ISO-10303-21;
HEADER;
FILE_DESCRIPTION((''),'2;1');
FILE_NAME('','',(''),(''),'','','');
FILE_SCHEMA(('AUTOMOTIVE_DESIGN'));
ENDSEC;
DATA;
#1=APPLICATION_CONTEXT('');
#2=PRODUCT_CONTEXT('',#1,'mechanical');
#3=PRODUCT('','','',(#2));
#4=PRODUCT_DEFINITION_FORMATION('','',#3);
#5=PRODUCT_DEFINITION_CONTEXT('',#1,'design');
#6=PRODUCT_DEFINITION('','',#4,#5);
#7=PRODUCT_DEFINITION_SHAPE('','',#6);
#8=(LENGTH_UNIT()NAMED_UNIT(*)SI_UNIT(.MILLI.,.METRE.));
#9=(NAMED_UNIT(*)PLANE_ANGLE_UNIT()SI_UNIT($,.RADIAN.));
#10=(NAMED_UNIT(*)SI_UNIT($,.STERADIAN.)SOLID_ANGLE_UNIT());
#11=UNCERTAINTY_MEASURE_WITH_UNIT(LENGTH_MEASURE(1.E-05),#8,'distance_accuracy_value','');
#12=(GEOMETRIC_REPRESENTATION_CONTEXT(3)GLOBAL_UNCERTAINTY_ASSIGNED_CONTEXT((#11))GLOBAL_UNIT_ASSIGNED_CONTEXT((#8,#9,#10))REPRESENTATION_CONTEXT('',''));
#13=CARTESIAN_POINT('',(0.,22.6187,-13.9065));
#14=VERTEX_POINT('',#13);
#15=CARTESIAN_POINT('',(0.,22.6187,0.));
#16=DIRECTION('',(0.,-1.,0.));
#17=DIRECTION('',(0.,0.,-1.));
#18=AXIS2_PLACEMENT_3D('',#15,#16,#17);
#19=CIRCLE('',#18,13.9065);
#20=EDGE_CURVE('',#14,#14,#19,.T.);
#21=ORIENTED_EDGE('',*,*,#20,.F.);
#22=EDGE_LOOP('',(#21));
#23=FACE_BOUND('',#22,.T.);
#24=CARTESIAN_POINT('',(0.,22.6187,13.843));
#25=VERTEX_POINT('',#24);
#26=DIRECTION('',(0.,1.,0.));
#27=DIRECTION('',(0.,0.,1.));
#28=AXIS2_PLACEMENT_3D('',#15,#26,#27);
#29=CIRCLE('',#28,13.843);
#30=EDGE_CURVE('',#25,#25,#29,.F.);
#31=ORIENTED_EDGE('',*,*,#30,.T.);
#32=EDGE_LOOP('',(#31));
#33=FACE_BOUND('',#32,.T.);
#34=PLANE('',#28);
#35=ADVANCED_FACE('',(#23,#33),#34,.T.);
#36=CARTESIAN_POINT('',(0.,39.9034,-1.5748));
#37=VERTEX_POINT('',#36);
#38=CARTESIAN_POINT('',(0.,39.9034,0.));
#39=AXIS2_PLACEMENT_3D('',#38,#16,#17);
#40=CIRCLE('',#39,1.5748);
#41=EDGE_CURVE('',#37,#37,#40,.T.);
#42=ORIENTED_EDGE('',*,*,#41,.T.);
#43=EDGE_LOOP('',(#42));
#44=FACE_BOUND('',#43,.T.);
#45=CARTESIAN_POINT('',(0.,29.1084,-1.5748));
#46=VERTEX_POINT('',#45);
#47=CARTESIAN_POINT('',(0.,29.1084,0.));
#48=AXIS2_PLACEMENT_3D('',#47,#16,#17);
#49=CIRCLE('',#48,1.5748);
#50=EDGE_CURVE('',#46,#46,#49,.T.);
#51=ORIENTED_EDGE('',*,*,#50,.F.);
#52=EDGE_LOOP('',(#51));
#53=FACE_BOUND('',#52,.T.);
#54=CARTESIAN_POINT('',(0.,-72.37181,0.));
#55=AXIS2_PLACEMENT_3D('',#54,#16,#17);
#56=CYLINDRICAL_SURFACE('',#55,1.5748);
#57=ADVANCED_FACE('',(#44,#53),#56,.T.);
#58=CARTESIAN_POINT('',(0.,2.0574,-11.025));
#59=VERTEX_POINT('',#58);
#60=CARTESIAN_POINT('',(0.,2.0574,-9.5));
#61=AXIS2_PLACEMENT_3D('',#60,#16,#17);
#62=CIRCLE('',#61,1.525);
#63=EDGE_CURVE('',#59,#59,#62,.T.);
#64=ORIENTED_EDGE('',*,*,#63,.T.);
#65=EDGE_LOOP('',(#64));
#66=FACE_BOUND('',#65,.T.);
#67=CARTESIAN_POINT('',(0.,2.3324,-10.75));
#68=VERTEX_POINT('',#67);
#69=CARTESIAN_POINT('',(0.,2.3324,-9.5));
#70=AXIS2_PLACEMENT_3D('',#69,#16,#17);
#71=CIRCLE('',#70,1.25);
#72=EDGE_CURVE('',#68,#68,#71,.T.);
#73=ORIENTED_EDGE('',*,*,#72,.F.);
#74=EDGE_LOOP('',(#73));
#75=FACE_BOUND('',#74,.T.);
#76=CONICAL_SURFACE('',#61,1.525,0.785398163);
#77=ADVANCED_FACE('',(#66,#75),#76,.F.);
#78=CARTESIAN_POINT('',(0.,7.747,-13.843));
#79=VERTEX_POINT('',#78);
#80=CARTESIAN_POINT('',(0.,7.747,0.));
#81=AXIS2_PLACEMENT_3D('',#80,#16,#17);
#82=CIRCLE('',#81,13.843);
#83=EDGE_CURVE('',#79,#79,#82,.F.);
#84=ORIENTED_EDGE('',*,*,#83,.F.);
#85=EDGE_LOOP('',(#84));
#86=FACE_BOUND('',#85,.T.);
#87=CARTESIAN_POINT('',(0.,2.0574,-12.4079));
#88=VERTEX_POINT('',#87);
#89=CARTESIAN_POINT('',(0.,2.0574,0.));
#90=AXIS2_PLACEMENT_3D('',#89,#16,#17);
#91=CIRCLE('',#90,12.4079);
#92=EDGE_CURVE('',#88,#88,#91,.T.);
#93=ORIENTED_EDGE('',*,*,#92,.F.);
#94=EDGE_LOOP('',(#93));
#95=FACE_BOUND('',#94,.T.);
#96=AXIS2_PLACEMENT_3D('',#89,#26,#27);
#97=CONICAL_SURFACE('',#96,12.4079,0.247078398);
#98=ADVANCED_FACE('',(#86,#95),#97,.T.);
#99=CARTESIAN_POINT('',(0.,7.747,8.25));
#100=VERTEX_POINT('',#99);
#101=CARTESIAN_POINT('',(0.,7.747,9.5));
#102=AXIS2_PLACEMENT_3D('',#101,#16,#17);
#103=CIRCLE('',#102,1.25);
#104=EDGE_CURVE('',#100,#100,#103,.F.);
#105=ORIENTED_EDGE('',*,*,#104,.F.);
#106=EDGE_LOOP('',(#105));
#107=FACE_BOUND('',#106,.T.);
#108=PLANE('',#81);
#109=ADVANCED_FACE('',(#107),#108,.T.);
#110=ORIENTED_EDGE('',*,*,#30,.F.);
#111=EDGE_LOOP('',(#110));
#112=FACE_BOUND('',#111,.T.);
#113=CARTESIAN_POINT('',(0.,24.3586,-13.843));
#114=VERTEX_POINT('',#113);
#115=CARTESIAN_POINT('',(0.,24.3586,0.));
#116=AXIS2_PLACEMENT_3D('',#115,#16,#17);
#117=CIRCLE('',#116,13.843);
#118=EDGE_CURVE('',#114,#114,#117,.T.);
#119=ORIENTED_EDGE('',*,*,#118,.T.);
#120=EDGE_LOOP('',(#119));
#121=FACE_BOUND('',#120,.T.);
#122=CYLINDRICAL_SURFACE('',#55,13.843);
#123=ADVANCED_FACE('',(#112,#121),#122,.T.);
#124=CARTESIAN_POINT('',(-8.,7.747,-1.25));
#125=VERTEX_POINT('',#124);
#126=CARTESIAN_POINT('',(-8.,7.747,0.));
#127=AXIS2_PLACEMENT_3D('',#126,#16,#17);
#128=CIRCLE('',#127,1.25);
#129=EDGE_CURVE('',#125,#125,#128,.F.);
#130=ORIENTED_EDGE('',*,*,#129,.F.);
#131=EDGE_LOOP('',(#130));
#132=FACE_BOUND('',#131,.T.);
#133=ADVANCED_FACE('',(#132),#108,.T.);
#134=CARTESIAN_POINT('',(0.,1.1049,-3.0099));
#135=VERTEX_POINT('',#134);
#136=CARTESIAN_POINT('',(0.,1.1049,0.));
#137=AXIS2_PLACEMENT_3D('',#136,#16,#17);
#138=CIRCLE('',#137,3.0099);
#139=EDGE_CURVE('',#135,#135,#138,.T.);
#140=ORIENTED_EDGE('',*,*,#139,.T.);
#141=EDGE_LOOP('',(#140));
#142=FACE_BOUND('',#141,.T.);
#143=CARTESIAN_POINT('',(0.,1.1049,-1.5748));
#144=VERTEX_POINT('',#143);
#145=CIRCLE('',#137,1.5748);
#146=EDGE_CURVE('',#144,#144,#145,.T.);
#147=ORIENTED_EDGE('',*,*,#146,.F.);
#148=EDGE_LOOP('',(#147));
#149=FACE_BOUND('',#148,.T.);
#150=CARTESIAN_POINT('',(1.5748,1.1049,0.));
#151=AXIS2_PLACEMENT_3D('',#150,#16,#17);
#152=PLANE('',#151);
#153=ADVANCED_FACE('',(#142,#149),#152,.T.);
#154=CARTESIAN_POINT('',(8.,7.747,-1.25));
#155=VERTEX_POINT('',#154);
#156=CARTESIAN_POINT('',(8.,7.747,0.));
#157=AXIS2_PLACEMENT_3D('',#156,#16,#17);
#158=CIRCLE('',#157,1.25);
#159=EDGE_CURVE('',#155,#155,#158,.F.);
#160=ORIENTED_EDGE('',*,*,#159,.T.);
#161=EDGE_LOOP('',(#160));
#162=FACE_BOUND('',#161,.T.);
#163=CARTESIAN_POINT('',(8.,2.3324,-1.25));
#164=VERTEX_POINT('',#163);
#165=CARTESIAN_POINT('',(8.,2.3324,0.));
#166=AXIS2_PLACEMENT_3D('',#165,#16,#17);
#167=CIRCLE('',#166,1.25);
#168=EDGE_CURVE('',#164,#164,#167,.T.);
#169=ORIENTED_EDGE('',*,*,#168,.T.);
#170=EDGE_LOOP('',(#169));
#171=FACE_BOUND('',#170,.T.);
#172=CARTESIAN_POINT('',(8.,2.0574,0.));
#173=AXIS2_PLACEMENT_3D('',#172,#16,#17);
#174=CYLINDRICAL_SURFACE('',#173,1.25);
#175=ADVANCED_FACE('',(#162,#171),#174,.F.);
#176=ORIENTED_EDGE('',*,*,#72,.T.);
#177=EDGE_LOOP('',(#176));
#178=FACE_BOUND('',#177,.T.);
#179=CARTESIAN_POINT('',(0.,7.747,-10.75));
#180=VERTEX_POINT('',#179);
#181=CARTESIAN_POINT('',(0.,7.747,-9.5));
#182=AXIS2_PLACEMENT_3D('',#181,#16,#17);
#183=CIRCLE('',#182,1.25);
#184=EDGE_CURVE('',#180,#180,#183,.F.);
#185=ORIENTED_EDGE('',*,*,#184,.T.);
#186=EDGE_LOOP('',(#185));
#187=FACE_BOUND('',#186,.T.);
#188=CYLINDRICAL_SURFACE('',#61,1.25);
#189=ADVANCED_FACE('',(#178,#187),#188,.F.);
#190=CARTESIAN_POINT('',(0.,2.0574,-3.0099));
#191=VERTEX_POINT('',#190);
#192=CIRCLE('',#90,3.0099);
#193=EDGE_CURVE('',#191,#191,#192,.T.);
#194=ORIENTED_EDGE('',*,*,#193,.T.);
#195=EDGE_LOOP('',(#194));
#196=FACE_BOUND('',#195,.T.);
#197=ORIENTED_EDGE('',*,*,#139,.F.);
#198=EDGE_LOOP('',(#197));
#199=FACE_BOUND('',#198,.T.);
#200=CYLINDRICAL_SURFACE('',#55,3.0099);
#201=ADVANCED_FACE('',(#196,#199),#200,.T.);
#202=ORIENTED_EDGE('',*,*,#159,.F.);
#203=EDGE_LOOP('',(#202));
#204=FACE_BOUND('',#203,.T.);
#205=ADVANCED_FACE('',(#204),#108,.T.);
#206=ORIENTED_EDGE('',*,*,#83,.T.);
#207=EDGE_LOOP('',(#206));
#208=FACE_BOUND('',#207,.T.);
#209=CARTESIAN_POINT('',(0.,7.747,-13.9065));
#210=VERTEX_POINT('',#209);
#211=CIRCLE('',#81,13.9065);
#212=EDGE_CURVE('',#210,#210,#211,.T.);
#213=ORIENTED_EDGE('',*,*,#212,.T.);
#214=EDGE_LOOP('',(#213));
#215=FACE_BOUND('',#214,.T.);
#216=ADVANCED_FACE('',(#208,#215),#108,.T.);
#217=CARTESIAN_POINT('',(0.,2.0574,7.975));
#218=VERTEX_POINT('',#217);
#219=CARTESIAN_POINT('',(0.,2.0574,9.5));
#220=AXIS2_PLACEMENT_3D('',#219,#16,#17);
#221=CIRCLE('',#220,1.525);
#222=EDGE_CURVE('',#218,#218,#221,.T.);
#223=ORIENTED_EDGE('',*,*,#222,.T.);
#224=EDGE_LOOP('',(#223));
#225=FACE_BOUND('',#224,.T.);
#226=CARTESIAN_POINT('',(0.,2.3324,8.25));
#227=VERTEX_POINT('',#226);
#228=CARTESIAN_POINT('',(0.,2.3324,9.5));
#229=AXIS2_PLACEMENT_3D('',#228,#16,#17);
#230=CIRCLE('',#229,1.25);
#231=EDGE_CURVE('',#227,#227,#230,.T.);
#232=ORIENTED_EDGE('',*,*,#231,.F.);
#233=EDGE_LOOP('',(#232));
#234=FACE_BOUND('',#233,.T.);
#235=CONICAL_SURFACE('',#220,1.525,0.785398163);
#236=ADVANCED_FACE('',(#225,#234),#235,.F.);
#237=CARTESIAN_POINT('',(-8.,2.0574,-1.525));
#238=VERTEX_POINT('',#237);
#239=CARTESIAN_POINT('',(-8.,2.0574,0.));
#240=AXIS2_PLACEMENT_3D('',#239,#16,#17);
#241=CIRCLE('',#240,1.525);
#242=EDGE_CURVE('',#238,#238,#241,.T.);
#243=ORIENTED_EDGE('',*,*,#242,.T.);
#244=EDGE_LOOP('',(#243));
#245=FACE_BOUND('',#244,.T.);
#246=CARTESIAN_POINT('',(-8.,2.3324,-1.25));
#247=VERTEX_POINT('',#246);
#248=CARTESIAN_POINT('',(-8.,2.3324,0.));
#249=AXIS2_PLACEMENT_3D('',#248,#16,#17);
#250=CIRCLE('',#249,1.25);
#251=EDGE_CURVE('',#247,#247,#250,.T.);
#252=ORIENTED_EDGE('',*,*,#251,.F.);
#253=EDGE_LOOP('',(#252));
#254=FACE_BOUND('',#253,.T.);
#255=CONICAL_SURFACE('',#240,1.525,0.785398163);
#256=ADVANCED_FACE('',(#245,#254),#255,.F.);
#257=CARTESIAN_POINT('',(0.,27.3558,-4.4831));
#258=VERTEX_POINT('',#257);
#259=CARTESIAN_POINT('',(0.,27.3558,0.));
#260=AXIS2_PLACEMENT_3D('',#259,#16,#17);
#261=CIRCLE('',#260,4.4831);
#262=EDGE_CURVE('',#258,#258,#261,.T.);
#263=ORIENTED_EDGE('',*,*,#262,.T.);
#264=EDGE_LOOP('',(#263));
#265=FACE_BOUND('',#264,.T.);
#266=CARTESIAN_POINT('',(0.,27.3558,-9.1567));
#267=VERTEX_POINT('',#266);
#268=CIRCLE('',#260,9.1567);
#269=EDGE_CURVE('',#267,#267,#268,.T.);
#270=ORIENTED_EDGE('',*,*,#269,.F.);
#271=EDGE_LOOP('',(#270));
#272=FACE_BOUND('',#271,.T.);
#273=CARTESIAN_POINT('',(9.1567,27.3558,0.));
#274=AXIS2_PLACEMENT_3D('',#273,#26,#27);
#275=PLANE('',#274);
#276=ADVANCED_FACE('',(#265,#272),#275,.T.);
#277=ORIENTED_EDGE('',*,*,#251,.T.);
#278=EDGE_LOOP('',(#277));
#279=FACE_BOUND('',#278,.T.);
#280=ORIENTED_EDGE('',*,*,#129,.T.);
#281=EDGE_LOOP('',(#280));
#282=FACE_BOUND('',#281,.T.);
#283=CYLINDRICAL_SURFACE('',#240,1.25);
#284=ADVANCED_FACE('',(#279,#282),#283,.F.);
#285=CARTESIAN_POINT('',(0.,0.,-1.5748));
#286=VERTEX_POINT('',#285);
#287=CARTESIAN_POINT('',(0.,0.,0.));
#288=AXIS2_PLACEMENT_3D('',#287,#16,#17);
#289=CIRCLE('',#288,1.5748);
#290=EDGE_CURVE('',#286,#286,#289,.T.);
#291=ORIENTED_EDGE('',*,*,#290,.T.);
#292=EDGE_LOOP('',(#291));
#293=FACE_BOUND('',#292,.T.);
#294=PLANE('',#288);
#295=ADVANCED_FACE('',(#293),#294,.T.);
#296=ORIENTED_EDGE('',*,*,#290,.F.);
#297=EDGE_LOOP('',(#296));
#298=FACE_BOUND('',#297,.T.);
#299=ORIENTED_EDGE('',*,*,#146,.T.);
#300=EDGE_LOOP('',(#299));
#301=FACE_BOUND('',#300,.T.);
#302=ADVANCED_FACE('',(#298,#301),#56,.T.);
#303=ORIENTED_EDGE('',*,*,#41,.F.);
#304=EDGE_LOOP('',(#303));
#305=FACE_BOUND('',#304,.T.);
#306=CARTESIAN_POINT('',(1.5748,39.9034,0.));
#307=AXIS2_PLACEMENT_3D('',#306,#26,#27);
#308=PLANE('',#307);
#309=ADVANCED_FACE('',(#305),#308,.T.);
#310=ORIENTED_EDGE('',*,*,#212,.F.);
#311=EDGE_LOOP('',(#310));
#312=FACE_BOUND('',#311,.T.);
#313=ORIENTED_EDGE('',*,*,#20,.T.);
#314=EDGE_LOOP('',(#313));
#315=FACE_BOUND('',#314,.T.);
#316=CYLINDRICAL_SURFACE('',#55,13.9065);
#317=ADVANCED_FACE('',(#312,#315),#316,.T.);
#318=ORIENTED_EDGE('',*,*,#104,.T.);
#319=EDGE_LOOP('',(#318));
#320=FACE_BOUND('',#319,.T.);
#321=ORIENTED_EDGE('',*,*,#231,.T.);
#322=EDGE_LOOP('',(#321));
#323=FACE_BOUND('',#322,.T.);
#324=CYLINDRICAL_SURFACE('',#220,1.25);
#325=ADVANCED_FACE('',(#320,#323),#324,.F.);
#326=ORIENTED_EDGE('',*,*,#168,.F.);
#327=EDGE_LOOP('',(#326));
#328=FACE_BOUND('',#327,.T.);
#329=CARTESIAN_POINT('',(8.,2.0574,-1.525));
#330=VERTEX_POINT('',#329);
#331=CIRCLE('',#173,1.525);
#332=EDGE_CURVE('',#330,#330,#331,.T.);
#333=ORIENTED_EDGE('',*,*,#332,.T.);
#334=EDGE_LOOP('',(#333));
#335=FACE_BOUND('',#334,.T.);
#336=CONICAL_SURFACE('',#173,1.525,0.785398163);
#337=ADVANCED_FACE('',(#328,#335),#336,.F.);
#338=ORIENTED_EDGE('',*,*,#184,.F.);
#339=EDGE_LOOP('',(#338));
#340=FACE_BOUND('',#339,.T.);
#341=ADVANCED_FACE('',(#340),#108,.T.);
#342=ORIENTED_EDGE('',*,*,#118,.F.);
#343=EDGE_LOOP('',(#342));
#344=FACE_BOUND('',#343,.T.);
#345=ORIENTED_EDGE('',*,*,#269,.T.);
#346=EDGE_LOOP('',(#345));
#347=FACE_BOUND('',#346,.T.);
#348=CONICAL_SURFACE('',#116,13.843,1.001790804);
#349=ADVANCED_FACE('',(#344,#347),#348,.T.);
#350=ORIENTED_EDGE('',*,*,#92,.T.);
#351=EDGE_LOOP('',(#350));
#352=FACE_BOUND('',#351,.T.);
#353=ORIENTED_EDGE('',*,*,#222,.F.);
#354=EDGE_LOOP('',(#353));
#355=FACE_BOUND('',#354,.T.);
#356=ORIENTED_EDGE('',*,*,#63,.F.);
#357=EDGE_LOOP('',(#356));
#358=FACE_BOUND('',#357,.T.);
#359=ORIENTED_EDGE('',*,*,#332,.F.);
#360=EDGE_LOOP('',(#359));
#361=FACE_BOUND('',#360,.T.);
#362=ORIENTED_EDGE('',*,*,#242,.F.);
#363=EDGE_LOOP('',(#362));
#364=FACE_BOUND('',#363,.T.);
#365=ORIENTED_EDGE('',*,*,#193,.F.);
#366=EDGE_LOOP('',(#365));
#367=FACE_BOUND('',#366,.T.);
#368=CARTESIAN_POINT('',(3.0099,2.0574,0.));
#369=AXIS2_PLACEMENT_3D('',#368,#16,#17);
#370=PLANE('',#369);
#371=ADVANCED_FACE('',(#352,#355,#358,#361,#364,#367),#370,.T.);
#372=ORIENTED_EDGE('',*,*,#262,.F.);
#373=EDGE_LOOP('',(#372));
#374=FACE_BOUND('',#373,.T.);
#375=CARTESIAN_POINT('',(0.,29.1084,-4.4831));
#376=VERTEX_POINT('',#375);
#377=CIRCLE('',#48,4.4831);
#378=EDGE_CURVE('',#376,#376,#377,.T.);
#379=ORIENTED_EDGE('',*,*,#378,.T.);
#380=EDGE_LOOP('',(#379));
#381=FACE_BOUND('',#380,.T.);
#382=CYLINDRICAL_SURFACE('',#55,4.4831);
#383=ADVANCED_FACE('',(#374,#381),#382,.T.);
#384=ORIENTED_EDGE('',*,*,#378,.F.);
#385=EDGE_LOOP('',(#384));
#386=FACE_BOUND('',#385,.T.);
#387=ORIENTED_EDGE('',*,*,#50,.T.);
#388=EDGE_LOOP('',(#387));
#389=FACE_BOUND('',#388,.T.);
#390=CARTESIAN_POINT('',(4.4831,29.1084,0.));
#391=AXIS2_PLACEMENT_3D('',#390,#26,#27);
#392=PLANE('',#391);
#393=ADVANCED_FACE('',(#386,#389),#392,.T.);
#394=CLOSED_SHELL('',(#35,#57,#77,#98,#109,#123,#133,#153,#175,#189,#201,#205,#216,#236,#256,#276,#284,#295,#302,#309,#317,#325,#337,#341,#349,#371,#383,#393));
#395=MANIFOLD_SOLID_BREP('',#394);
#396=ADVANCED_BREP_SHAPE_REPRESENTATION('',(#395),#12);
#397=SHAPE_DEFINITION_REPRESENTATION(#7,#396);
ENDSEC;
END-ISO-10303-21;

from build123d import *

# Parameters (mm, degrees)
M3X0_5_TAPPED_HOLE1_D           = 2.5
M3X0_5_TAPPED_HOLE1_DEPTH       = 7.499985
M3X0_5_TAPPED_HOLE1_CSINK_D     = 3.05
M3X0_5_TAPPED_HOLE1_CSINK_ANGLE = 90
M3X0_5_TAPPED_HOLE1_TIP         = 0.751075774
M3X0_5_TAPPED_HOLE2_D           = 2.5
M3X0_5_TAPPED_HOLE2_DEPTH       = 7.499985
M3X0_5_TAPPED_HOLE2_CSINK_D     = 3.05
M3X0_5_TAPPED_HOLE2_CSINK_ANGLE = 90
M3X0_5_TAPPED_HOLE2_TIP         = 0.751075774
SKETCH11_W                      = 13.9065
SKETCH11_H                      = 14.8717


with BuildPart() as part:
    # Sketch4 → Revolve1 (revolve)
    with BuildSketch(Plane.XY, mode=Mode.PRIVATE) as revolve1_sk:
        Polygon((0, 0), (1.5748, 0), (1.5748, 1.1049), (3.0099, 1.1049), (3.0099, 2.0574), (12.4079, 2.0574), (13.843, 7.747), (13.843, 24.3586), (9.1567, 27.3558), (4.4831, 27.3558), (4.4831, 29.1084), (1.5748, 29.1084), (1.5748, 39.9034), (0, 39.9034), align=None)
    revolve(revolve1_sk.sketch.rotate(Axis((0, -72.371810048, 0), (0, 1, 0)), 90), axis=Axis((0, -72.371810048, 0), (0, 1, 0)))

    # M3x0.5 Tapped Hole1
    with Locations(Plane(origin=(0, 2.0574, 0), x_dir=(-1, 0, 0), z_dir=(0, -1, 0))):
        with Locations((8, 0), (-8, 0)):
            CounterSinkHole(M3X0_5_TAPPED_HOLE1_D / 2, M3X0_5_TAPPED_HOLE1_CSINK_D / 2, depth=M3X0_5_TAPPED_HOLE1_DEPTH, counter_sink_angle=M3X0_5_TAPPED_HOLE1_CSINK_ANGLE)
            with Locations((0, 0, -(M3X0_5_TAPPED_HOLE1_DEPTH + M3X0_5_TAPPED_HOLE1_TIP / 2))):  # 118° drill point
                Cone(0, M3X0_5_TAPPED_HOLE1_D / 2, M3X0_5_TAPPED_HOLE1_TIP, mode=Mode.SUBTRACT)

    # M3x0.5 Tapped Hole2
    with Locations(Plane(origin=(0, 2.0574, 0), x_dir=(-1, 0, 0), z_dir=(0, -1, 0))):
        with Locations((0, 9.5), (0, -9.5)):
            CounterSinkHole(M3X0_5_TAPPED_HOLE2_D / 2, M3X0_5_TAPPED_HOLE2_CSINK_D / 2, depth=M3X0_5_TAPPED_HOLE2_DEPTH, counter_sink_angle=M3X0_5_TAPPED_HOLE2_CSINK_ANGLE)
            with Locations((0, 0, -(M3X0_5_TAPPED_HOLE2_DEPTH + M3X0_5_TAPPED_HOLE2_TIP / 2))):  # 118° drill point
                Cone(0, M3X0_5_TAPPED_HOLE2_D / 2, M3X0_5_TAPPED_HOLE2_TIP, mode=Mode.SUBTRACT)

    # Sketch11 → Revolve2 (revolve)
    with BuildSketch(Plane.XY, mode=Mode.PRIVATE) as revolve2_sk:
        with Locations((6.95325, 15.18285)):
            Rectangle(SKETCH11_W, SKETCH11_H)
    revolve(revolve2_sk.sketch.rotate(Axis((0, -72.371810048, 0), (0, 1, 0)), 90), axis=Axis((0, -72.371810048, 0), (0, 1, 0)))


solid = part.part
